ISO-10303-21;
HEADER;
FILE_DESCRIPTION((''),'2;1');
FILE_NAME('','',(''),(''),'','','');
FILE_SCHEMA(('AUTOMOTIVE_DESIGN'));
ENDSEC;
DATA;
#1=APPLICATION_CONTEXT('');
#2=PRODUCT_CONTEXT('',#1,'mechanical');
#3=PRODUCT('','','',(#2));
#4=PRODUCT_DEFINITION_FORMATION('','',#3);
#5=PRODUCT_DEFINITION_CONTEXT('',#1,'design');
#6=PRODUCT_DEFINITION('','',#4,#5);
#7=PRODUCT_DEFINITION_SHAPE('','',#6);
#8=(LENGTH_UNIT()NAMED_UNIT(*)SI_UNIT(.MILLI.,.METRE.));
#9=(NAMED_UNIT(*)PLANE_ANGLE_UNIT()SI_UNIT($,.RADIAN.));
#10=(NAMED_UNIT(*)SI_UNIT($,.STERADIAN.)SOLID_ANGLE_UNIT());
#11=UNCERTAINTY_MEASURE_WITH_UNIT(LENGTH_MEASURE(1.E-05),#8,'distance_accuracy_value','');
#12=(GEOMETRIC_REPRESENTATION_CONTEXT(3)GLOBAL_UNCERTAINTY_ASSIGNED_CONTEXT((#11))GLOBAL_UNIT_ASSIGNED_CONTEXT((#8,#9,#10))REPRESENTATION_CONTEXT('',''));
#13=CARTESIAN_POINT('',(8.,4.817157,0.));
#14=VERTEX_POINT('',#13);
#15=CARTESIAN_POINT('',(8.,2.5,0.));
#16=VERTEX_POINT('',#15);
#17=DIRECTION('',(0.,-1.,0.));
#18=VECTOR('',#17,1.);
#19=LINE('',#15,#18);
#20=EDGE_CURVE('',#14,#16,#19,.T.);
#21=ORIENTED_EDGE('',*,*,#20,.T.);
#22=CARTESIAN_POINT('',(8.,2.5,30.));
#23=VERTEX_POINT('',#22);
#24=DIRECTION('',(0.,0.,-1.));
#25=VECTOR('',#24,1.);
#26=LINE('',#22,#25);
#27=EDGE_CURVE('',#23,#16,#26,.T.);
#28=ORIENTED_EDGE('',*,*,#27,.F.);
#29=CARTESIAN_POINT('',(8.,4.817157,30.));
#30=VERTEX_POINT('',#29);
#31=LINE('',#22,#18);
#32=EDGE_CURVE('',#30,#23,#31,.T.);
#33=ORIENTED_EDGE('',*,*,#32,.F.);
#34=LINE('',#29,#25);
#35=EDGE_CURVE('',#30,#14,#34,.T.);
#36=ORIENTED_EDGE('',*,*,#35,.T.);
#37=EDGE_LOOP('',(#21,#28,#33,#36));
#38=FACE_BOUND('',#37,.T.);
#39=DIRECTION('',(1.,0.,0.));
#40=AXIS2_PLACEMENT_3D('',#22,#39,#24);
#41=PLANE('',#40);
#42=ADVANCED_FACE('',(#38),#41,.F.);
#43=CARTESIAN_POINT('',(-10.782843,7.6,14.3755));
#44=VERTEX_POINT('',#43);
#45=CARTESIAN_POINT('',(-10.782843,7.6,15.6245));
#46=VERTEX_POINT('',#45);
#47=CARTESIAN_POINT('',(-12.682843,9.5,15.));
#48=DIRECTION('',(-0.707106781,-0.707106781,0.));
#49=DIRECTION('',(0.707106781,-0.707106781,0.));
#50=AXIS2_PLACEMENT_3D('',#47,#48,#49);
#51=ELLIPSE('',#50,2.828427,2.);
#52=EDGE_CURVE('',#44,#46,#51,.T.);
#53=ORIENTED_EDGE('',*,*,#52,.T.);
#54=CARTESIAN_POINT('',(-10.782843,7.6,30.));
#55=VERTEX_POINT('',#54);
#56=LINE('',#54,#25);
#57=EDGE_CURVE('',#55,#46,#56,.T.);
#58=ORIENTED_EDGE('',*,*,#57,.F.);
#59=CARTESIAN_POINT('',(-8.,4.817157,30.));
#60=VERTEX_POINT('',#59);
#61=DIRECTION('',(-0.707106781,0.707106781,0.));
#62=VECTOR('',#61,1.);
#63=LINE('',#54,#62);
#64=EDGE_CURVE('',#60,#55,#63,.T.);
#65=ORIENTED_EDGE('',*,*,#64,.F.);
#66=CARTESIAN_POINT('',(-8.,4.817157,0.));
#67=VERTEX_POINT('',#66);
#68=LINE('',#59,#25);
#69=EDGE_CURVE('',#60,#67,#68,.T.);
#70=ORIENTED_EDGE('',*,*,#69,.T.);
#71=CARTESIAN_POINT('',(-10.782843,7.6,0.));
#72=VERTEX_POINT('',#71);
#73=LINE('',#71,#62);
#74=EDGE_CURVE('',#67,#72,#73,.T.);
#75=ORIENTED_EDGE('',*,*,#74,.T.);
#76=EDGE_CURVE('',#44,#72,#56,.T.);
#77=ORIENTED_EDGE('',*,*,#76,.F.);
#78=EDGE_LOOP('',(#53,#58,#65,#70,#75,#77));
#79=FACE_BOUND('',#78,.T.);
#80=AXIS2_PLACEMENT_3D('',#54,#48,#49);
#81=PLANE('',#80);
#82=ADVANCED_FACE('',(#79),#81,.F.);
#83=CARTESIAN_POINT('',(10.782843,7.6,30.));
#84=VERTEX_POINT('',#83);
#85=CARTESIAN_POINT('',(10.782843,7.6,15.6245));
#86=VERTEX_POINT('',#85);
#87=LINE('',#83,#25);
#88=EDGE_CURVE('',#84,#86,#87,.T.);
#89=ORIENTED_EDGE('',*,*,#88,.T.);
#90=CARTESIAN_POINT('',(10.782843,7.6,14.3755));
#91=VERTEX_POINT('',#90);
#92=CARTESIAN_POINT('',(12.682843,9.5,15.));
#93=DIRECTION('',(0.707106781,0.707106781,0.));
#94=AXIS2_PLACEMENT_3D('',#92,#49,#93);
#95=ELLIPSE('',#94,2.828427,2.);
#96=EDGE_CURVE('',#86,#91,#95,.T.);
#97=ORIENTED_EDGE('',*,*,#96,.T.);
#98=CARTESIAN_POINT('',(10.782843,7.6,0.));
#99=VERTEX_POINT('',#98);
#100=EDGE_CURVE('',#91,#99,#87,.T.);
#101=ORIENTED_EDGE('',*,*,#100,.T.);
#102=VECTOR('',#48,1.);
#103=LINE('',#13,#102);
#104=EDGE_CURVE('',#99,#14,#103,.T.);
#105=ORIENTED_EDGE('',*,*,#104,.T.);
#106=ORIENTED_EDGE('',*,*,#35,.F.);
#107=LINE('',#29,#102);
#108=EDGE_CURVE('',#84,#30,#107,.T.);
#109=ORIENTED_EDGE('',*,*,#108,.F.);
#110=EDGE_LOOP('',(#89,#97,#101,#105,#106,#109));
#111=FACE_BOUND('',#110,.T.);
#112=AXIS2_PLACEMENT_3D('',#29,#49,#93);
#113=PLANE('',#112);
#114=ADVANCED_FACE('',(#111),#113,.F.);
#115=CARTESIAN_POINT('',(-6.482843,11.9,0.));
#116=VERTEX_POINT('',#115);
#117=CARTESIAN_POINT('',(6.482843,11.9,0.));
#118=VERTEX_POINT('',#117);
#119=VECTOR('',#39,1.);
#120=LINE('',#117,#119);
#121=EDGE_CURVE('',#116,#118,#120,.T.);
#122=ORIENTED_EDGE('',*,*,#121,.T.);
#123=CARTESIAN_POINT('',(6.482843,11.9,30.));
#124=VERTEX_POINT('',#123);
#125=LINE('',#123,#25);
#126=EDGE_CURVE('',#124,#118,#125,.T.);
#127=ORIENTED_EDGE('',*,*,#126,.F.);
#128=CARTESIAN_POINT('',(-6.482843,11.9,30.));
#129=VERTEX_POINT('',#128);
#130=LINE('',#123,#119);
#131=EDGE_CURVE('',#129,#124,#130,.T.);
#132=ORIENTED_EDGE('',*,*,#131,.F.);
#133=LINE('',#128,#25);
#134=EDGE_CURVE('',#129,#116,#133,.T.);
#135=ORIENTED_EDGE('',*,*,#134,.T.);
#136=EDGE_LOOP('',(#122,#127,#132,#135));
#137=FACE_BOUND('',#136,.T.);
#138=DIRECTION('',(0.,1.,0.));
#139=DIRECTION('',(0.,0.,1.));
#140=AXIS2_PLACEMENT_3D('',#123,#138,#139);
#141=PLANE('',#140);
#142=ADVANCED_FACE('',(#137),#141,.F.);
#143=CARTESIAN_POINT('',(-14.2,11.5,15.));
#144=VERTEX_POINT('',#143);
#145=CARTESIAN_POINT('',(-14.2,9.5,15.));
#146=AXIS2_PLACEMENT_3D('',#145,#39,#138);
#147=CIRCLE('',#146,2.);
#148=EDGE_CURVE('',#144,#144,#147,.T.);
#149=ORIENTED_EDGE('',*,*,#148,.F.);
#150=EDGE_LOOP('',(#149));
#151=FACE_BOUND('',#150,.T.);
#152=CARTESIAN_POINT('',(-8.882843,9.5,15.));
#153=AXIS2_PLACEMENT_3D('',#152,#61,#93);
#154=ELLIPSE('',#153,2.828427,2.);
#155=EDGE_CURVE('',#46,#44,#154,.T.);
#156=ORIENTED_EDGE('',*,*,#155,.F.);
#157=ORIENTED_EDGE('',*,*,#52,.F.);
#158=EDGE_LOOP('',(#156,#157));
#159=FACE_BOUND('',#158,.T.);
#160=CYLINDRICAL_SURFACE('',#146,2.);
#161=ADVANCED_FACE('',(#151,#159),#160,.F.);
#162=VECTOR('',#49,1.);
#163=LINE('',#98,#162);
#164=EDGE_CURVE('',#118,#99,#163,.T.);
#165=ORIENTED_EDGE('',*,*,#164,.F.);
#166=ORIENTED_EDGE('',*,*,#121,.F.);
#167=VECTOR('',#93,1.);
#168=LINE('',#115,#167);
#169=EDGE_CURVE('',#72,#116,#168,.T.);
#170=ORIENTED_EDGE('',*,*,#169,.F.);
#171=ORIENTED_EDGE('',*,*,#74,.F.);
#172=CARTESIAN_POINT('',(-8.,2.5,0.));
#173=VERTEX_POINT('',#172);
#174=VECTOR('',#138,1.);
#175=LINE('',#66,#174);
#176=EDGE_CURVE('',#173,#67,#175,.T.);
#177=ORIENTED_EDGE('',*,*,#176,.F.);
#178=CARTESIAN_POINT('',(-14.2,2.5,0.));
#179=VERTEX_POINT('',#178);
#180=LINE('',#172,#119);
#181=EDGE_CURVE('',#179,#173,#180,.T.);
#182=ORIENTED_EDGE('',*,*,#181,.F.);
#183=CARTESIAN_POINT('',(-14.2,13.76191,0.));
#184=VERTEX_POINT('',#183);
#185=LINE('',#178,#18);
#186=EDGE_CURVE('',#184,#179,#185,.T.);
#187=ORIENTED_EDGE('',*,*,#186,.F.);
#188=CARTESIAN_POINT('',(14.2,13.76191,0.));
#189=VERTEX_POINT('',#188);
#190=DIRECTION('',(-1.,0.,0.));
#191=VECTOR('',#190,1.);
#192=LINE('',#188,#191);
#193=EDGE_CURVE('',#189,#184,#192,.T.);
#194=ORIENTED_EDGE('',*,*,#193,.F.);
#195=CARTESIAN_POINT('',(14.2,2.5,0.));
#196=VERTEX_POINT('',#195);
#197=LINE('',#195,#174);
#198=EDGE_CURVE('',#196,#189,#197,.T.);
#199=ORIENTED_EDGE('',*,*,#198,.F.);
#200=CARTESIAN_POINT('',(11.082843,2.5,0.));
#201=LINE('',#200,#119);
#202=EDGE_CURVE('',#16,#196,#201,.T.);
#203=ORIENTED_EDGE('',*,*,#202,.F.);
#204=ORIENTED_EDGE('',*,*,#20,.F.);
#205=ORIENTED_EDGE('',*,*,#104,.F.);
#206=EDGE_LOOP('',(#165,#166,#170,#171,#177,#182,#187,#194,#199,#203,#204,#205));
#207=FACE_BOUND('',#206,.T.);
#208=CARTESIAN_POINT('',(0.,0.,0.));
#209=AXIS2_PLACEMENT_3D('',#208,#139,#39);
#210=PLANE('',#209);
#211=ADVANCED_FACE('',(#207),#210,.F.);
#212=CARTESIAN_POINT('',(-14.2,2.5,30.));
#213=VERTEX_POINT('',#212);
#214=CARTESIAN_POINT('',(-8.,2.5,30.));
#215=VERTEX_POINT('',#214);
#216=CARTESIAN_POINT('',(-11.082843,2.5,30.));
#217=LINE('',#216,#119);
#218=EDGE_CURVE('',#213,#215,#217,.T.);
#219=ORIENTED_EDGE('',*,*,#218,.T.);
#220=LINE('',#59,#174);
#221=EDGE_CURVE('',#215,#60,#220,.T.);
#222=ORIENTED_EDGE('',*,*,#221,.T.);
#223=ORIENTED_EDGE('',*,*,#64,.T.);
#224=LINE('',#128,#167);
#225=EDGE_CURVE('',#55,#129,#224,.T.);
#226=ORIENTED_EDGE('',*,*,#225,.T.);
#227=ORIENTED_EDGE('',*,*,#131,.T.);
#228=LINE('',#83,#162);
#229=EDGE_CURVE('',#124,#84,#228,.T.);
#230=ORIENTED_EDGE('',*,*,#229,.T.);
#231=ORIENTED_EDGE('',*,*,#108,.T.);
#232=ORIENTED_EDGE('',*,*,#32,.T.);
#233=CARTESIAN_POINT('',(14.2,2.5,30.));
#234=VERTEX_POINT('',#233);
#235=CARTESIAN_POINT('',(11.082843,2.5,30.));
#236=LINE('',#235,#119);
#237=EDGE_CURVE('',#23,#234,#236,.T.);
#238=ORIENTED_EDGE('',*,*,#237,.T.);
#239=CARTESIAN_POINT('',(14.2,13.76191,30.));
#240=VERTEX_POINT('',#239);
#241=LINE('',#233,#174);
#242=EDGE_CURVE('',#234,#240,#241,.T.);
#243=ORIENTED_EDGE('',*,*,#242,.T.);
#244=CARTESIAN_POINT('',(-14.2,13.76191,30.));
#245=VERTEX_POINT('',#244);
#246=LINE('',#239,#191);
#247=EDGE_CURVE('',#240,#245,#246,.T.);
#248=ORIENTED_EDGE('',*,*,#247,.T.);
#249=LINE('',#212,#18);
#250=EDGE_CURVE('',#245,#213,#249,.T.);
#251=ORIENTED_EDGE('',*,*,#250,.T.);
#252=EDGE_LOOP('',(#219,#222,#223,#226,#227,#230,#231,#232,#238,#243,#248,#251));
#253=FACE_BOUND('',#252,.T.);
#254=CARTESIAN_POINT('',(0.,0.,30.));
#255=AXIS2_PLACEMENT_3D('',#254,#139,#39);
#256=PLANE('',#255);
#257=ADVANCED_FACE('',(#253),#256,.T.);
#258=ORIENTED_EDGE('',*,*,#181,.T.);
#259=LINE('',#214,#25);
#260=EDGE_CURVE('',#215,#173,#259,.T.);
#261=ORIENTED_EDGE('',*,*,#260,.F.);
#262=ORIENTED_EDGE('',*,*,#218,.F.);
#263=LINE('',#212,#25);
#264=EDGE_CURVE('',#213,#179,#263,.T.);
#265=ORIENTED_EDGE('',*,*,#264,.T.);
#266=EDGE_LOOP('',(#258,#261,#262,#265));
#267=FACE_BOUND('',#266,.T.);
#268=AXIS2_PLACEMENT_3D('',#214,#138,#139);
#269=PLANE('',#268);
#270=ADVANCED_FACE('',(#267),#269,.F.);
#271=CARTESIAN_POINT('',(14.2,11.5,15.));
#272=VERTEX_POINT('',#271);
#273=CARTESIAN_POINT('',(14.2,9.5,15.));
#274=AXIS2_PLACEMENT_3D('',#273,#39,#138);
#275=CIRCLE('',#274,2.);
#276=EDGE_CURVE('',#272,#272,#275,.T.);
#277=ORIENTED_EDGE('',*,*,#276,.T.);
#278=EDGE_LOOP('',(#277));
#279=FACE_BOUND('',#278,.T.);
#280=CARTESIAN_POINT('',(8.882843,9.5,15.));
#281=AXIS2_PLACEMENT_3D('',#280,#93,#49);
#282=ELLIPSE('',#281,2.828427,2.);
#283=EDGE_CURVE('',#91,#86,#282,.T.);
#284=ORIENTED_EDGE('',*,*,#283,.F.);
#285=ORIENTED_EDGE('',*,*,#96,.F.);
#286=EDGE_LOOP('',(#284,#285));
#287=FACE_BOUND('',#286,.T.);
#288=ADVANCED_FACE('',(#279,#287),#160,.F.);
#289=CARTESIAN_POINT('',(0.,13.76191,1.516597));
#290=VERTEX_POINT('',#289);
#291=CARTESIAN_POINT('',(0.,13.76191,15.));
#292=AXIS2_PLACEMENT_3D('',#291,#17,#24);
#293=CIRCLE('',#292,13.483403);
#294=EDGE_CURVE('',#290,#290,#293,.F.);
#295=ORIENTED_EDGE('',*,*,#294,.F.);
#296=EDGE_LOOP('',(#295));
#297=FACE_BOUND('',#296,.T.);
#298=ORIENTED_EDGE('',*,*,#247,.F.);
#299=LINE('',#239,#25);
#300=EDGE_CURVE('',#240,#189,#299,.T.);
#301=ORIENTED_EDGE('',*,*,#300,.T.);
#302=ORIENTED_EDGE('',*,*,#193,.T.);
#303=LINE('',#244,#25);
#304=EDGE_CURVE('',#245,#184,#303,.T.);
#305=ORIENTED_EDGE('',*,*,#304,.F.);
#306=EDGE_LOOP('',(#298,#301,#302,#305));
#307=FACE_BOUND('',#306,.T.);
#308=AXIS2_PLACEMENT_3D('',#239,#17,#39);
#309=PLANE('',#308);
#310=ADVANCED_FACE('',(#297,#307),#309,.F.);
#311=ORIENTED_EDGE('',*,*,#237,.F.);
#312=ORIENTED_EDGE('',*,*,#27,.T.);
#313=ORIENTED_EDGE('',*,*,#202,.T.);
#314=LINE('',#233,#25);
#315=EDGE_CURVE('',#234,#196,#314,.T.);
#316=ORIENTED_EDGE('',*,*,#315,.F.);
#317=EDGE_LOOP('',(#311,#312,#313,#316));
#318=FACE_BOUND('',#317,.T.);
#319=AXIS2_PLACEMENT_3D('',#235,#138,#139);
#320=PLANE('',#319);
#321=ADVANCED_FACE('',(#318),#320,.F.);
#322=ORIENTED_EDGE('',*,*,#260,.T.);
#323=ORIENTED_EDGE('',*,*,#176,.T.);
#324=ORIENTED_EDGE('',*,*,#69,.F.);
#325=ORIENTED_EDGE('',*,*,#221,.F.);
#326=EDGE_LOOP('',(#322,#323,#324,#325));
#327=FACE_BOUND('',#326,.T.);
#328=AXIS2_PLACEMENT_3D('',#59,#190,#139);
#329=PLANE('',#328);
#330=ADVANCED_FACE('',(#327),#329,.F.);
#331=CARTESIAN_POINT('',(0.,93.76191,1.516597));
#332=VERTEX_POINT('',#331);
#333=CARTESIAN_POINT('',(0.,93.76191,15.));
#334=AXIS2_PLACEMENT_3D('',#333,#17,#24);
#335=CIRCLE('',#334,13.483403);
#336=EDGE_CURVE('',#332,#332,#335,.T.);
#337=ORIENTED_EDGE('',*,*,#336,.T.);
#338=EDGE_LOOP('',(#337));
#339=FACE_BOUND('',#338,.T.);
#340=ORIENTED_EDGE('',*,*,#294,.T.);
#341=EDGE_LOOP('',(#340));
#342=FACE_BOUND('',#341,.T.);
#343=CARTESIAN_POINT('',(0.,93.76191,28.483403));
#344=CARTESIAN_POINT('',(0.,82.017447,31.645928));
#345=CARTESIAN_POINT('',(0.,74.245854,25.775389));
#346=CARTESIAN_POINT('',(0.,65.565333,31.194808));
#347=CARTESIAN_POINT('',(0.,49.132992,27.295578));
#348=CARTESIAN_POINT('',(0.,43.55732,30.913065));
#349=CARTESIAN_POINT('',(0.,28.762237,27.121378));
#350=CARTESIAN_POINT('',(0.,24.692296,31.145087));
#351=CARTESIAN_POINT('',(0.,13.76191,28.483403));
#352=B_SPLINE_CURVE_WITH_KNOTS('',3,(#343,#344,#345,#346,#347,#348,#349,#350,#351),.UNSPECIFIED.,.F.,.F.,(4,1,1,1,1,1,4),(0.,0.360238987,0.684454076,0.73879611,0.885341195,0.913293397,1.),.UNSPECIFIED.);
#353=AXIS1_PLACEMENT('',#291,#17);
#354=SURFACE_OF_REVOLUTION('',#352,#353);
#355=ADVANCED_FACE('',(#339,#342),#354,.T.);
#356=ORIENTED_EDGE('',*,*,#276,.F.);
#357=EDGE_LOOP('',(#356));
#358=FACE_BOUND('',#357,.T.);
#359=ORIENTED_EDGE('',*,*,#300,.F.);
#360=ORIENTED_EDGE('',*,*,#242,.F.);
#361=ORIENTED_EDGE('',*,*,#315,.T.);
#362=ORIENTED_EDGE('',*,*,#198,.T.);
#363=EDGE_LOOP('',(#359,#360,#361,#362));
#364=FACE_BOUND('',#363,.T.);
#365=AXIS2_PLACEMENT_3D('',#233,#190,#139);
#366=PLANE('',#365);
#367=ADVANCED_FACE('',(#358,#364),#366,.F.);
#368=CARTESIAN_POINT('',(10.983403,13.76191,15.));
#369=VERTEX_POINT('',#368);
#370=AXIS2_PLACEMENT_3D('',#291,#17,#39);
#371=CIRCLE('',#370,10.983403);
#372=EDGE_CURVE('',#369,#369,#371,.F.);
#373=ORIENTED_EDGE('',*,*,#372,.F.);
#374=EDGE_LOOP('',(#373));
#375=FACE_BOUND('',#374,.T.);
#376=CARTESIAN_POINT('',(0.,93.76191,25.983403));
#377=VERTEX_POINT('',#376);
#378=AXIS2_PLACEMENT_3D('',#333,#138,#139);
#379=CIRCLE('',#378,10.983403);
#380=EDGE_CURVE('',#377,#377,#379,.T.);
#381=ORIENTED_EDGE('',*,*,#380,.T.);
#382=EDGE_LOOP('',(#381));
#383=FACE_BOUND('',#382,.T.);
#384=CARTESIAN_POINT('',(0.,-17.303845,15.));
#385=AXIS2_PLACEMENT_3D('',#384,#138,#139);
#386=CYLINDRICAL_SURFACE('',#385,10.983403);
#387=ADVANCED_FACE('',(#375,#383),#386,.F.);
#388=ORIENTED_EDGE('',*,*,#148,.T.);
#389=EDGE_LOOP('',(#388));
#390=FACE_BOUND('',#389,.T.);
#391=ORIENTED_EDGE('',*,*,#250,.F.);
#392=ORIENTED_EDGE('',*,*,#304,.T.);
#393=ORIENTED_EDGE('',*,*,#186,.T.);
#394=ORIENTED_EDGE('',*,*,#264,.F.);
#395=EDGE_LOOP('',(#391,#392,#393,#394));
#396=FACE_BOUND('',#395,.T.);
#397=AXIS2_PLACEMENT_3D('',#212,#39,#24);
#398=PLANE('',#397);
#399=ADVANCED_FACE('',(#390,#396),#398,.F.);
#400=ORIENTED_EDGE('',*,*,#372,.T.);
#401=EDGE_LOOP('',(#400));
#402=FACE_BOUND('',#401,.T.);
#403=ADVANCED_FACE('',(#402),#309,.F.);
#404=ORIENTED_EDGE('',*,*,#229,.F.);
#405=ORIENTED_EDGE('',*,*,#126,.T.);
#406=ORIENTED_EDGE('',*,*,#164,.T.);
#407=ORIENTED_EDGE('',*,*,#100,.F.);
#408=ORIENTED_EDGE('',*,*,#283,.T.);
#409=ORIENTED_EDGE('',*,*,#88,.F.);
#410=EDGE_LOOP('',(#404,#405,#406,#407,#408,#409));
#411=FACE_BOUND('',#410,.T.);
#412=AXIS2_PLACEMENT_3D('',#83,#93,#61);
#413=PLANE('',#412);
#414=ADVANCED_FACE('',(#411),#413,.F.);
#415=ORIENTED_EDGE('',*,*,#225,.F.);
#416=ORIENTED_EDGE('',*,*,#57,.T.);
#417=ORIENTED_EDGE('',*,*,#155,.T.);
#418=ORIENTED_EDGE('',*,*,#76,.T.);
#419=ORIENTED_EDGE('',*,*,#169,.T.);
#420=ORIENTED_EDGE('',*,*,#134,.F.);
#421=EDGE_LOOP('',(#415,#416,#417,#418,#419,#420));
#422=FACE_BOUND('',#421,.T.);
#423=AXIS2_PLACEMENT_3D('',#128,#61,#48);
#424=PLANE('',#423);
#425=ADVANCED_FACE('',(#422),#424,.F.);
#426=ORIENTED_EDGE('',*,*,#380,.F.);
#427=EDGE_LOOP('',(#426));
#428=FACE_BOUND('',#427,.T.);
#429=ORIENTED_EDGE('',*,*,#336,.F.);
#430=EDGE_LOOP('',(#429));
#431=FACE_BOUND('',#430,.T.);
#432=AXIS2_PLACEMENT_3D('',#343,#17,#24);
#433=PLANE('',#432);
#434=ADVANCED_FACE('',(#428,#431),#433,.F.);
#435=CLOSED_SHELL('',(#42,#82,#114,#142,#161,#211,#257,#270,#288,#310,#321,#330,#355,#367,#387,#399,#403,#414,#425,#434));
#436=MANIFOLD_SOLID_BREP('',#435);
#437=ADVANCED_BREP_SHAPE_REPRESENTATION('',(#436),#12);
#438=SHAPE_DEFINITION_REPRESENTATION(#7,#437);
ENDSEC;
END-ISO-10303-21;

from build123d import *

# Parameters (mm, degrees)
BOSS_EXTRUDE1_DEPTH = 30
SKETCH3_R           = 2
CUT_EXTRUDE2_DEPTH  = 29.4
SKETCH11_R          = 10.983403138
CUT_EXTRUDE3_DEPTH  = 80


with BuildPart() as part:
    # Sketch1 → Boss-Extrude1 (new body)
    with BuildSketch(Plane.XY):
        Polygon((14.2, 13.761910466), (-14.2, 13.761910466), (-14.2, 2.5), (-11.082842712, 2.5), (-8, 2.5), (-8, 4.817157288), (-10.782842712, 7.6), (-6.482842712, 11.9), (6.482842712, 11.9), (10.782842712, 7.6), (8, 4.817157288), (8, 2.5), (11.082842712, 2.5), (14.2, 2.5), align=None)
    extrude(amount=BOSS_EXTRUDE1_DEPTH)

    # Sketch3 → Cut-Extrude2 (cut, through all)
    with BuildSketch(Plane(origin=(14.2, 0, 0), x_dir=(0, 0, -1), z_dir=(1, 0, 0))):
        with Locations(Location((-15, 9.5, 0), (0, 0, 90))):  # turned: the seam where the file's is
            Circle(SKETCH3_R)
    extrude(amount=-CUT_EXTRUDE2_DEPTH, mode=Mode.SUBTRACT)

    # Sketch9 → Revolve2 (revolve)
    with BuildSketch(Plane(origin=(0, 0, 0), x_dir=(0, 0, -1), z_dir=(1, 0, 0))):
        with BuildLine():
            Line((-28.483403138, 93.761910466), (-15, 93.761910466))
            Line((-15, 93.761910466), (-15, 13.761910466))
            Line((-15, 13.761910466), (-28.483403138, 13.761910466))
            add(Edge.make_bspline(
                [(-28.483403138, 13.761910466), (-31.145086737, 24.692296315), (-27.121377906, 28.762236937), (-30.913064787, 43.557319505), (-27.295577593, 49.132991937), (-31.19480755, 65.565333342), (-25.775389052, 74.245854005), (-31.645928371, 82.017446749), (-28.483403138, 93.761910466)],
                knots=[0, 0, 0, 0, 0.086706603, 0.114658805, 0.26120389, 0.315545924, 0.639761013, 1, 1, 1, 1], degree=3))
        make_face()
    revolve(axis=Axis((0, 13.761910466, 15), (0, 1, 0)))

    # Sketch11 → Cut-Extrude3 (cut)
    with BuildSketch(Plane(origin=(0, 93.761910466, 0), x_dir=(1, 0, 0), z_dir=(0, 1, 0))):
        with Locations(Location((0, -15, 0), (0, 0, 270))):  # turned: the seam where the file's is
            Circle(SKETCH11_R)
    extrude(amount=-CUT_EXTRUDE3_DEPTH, mode=Mode.SUBTRACT)


solid = part.part
